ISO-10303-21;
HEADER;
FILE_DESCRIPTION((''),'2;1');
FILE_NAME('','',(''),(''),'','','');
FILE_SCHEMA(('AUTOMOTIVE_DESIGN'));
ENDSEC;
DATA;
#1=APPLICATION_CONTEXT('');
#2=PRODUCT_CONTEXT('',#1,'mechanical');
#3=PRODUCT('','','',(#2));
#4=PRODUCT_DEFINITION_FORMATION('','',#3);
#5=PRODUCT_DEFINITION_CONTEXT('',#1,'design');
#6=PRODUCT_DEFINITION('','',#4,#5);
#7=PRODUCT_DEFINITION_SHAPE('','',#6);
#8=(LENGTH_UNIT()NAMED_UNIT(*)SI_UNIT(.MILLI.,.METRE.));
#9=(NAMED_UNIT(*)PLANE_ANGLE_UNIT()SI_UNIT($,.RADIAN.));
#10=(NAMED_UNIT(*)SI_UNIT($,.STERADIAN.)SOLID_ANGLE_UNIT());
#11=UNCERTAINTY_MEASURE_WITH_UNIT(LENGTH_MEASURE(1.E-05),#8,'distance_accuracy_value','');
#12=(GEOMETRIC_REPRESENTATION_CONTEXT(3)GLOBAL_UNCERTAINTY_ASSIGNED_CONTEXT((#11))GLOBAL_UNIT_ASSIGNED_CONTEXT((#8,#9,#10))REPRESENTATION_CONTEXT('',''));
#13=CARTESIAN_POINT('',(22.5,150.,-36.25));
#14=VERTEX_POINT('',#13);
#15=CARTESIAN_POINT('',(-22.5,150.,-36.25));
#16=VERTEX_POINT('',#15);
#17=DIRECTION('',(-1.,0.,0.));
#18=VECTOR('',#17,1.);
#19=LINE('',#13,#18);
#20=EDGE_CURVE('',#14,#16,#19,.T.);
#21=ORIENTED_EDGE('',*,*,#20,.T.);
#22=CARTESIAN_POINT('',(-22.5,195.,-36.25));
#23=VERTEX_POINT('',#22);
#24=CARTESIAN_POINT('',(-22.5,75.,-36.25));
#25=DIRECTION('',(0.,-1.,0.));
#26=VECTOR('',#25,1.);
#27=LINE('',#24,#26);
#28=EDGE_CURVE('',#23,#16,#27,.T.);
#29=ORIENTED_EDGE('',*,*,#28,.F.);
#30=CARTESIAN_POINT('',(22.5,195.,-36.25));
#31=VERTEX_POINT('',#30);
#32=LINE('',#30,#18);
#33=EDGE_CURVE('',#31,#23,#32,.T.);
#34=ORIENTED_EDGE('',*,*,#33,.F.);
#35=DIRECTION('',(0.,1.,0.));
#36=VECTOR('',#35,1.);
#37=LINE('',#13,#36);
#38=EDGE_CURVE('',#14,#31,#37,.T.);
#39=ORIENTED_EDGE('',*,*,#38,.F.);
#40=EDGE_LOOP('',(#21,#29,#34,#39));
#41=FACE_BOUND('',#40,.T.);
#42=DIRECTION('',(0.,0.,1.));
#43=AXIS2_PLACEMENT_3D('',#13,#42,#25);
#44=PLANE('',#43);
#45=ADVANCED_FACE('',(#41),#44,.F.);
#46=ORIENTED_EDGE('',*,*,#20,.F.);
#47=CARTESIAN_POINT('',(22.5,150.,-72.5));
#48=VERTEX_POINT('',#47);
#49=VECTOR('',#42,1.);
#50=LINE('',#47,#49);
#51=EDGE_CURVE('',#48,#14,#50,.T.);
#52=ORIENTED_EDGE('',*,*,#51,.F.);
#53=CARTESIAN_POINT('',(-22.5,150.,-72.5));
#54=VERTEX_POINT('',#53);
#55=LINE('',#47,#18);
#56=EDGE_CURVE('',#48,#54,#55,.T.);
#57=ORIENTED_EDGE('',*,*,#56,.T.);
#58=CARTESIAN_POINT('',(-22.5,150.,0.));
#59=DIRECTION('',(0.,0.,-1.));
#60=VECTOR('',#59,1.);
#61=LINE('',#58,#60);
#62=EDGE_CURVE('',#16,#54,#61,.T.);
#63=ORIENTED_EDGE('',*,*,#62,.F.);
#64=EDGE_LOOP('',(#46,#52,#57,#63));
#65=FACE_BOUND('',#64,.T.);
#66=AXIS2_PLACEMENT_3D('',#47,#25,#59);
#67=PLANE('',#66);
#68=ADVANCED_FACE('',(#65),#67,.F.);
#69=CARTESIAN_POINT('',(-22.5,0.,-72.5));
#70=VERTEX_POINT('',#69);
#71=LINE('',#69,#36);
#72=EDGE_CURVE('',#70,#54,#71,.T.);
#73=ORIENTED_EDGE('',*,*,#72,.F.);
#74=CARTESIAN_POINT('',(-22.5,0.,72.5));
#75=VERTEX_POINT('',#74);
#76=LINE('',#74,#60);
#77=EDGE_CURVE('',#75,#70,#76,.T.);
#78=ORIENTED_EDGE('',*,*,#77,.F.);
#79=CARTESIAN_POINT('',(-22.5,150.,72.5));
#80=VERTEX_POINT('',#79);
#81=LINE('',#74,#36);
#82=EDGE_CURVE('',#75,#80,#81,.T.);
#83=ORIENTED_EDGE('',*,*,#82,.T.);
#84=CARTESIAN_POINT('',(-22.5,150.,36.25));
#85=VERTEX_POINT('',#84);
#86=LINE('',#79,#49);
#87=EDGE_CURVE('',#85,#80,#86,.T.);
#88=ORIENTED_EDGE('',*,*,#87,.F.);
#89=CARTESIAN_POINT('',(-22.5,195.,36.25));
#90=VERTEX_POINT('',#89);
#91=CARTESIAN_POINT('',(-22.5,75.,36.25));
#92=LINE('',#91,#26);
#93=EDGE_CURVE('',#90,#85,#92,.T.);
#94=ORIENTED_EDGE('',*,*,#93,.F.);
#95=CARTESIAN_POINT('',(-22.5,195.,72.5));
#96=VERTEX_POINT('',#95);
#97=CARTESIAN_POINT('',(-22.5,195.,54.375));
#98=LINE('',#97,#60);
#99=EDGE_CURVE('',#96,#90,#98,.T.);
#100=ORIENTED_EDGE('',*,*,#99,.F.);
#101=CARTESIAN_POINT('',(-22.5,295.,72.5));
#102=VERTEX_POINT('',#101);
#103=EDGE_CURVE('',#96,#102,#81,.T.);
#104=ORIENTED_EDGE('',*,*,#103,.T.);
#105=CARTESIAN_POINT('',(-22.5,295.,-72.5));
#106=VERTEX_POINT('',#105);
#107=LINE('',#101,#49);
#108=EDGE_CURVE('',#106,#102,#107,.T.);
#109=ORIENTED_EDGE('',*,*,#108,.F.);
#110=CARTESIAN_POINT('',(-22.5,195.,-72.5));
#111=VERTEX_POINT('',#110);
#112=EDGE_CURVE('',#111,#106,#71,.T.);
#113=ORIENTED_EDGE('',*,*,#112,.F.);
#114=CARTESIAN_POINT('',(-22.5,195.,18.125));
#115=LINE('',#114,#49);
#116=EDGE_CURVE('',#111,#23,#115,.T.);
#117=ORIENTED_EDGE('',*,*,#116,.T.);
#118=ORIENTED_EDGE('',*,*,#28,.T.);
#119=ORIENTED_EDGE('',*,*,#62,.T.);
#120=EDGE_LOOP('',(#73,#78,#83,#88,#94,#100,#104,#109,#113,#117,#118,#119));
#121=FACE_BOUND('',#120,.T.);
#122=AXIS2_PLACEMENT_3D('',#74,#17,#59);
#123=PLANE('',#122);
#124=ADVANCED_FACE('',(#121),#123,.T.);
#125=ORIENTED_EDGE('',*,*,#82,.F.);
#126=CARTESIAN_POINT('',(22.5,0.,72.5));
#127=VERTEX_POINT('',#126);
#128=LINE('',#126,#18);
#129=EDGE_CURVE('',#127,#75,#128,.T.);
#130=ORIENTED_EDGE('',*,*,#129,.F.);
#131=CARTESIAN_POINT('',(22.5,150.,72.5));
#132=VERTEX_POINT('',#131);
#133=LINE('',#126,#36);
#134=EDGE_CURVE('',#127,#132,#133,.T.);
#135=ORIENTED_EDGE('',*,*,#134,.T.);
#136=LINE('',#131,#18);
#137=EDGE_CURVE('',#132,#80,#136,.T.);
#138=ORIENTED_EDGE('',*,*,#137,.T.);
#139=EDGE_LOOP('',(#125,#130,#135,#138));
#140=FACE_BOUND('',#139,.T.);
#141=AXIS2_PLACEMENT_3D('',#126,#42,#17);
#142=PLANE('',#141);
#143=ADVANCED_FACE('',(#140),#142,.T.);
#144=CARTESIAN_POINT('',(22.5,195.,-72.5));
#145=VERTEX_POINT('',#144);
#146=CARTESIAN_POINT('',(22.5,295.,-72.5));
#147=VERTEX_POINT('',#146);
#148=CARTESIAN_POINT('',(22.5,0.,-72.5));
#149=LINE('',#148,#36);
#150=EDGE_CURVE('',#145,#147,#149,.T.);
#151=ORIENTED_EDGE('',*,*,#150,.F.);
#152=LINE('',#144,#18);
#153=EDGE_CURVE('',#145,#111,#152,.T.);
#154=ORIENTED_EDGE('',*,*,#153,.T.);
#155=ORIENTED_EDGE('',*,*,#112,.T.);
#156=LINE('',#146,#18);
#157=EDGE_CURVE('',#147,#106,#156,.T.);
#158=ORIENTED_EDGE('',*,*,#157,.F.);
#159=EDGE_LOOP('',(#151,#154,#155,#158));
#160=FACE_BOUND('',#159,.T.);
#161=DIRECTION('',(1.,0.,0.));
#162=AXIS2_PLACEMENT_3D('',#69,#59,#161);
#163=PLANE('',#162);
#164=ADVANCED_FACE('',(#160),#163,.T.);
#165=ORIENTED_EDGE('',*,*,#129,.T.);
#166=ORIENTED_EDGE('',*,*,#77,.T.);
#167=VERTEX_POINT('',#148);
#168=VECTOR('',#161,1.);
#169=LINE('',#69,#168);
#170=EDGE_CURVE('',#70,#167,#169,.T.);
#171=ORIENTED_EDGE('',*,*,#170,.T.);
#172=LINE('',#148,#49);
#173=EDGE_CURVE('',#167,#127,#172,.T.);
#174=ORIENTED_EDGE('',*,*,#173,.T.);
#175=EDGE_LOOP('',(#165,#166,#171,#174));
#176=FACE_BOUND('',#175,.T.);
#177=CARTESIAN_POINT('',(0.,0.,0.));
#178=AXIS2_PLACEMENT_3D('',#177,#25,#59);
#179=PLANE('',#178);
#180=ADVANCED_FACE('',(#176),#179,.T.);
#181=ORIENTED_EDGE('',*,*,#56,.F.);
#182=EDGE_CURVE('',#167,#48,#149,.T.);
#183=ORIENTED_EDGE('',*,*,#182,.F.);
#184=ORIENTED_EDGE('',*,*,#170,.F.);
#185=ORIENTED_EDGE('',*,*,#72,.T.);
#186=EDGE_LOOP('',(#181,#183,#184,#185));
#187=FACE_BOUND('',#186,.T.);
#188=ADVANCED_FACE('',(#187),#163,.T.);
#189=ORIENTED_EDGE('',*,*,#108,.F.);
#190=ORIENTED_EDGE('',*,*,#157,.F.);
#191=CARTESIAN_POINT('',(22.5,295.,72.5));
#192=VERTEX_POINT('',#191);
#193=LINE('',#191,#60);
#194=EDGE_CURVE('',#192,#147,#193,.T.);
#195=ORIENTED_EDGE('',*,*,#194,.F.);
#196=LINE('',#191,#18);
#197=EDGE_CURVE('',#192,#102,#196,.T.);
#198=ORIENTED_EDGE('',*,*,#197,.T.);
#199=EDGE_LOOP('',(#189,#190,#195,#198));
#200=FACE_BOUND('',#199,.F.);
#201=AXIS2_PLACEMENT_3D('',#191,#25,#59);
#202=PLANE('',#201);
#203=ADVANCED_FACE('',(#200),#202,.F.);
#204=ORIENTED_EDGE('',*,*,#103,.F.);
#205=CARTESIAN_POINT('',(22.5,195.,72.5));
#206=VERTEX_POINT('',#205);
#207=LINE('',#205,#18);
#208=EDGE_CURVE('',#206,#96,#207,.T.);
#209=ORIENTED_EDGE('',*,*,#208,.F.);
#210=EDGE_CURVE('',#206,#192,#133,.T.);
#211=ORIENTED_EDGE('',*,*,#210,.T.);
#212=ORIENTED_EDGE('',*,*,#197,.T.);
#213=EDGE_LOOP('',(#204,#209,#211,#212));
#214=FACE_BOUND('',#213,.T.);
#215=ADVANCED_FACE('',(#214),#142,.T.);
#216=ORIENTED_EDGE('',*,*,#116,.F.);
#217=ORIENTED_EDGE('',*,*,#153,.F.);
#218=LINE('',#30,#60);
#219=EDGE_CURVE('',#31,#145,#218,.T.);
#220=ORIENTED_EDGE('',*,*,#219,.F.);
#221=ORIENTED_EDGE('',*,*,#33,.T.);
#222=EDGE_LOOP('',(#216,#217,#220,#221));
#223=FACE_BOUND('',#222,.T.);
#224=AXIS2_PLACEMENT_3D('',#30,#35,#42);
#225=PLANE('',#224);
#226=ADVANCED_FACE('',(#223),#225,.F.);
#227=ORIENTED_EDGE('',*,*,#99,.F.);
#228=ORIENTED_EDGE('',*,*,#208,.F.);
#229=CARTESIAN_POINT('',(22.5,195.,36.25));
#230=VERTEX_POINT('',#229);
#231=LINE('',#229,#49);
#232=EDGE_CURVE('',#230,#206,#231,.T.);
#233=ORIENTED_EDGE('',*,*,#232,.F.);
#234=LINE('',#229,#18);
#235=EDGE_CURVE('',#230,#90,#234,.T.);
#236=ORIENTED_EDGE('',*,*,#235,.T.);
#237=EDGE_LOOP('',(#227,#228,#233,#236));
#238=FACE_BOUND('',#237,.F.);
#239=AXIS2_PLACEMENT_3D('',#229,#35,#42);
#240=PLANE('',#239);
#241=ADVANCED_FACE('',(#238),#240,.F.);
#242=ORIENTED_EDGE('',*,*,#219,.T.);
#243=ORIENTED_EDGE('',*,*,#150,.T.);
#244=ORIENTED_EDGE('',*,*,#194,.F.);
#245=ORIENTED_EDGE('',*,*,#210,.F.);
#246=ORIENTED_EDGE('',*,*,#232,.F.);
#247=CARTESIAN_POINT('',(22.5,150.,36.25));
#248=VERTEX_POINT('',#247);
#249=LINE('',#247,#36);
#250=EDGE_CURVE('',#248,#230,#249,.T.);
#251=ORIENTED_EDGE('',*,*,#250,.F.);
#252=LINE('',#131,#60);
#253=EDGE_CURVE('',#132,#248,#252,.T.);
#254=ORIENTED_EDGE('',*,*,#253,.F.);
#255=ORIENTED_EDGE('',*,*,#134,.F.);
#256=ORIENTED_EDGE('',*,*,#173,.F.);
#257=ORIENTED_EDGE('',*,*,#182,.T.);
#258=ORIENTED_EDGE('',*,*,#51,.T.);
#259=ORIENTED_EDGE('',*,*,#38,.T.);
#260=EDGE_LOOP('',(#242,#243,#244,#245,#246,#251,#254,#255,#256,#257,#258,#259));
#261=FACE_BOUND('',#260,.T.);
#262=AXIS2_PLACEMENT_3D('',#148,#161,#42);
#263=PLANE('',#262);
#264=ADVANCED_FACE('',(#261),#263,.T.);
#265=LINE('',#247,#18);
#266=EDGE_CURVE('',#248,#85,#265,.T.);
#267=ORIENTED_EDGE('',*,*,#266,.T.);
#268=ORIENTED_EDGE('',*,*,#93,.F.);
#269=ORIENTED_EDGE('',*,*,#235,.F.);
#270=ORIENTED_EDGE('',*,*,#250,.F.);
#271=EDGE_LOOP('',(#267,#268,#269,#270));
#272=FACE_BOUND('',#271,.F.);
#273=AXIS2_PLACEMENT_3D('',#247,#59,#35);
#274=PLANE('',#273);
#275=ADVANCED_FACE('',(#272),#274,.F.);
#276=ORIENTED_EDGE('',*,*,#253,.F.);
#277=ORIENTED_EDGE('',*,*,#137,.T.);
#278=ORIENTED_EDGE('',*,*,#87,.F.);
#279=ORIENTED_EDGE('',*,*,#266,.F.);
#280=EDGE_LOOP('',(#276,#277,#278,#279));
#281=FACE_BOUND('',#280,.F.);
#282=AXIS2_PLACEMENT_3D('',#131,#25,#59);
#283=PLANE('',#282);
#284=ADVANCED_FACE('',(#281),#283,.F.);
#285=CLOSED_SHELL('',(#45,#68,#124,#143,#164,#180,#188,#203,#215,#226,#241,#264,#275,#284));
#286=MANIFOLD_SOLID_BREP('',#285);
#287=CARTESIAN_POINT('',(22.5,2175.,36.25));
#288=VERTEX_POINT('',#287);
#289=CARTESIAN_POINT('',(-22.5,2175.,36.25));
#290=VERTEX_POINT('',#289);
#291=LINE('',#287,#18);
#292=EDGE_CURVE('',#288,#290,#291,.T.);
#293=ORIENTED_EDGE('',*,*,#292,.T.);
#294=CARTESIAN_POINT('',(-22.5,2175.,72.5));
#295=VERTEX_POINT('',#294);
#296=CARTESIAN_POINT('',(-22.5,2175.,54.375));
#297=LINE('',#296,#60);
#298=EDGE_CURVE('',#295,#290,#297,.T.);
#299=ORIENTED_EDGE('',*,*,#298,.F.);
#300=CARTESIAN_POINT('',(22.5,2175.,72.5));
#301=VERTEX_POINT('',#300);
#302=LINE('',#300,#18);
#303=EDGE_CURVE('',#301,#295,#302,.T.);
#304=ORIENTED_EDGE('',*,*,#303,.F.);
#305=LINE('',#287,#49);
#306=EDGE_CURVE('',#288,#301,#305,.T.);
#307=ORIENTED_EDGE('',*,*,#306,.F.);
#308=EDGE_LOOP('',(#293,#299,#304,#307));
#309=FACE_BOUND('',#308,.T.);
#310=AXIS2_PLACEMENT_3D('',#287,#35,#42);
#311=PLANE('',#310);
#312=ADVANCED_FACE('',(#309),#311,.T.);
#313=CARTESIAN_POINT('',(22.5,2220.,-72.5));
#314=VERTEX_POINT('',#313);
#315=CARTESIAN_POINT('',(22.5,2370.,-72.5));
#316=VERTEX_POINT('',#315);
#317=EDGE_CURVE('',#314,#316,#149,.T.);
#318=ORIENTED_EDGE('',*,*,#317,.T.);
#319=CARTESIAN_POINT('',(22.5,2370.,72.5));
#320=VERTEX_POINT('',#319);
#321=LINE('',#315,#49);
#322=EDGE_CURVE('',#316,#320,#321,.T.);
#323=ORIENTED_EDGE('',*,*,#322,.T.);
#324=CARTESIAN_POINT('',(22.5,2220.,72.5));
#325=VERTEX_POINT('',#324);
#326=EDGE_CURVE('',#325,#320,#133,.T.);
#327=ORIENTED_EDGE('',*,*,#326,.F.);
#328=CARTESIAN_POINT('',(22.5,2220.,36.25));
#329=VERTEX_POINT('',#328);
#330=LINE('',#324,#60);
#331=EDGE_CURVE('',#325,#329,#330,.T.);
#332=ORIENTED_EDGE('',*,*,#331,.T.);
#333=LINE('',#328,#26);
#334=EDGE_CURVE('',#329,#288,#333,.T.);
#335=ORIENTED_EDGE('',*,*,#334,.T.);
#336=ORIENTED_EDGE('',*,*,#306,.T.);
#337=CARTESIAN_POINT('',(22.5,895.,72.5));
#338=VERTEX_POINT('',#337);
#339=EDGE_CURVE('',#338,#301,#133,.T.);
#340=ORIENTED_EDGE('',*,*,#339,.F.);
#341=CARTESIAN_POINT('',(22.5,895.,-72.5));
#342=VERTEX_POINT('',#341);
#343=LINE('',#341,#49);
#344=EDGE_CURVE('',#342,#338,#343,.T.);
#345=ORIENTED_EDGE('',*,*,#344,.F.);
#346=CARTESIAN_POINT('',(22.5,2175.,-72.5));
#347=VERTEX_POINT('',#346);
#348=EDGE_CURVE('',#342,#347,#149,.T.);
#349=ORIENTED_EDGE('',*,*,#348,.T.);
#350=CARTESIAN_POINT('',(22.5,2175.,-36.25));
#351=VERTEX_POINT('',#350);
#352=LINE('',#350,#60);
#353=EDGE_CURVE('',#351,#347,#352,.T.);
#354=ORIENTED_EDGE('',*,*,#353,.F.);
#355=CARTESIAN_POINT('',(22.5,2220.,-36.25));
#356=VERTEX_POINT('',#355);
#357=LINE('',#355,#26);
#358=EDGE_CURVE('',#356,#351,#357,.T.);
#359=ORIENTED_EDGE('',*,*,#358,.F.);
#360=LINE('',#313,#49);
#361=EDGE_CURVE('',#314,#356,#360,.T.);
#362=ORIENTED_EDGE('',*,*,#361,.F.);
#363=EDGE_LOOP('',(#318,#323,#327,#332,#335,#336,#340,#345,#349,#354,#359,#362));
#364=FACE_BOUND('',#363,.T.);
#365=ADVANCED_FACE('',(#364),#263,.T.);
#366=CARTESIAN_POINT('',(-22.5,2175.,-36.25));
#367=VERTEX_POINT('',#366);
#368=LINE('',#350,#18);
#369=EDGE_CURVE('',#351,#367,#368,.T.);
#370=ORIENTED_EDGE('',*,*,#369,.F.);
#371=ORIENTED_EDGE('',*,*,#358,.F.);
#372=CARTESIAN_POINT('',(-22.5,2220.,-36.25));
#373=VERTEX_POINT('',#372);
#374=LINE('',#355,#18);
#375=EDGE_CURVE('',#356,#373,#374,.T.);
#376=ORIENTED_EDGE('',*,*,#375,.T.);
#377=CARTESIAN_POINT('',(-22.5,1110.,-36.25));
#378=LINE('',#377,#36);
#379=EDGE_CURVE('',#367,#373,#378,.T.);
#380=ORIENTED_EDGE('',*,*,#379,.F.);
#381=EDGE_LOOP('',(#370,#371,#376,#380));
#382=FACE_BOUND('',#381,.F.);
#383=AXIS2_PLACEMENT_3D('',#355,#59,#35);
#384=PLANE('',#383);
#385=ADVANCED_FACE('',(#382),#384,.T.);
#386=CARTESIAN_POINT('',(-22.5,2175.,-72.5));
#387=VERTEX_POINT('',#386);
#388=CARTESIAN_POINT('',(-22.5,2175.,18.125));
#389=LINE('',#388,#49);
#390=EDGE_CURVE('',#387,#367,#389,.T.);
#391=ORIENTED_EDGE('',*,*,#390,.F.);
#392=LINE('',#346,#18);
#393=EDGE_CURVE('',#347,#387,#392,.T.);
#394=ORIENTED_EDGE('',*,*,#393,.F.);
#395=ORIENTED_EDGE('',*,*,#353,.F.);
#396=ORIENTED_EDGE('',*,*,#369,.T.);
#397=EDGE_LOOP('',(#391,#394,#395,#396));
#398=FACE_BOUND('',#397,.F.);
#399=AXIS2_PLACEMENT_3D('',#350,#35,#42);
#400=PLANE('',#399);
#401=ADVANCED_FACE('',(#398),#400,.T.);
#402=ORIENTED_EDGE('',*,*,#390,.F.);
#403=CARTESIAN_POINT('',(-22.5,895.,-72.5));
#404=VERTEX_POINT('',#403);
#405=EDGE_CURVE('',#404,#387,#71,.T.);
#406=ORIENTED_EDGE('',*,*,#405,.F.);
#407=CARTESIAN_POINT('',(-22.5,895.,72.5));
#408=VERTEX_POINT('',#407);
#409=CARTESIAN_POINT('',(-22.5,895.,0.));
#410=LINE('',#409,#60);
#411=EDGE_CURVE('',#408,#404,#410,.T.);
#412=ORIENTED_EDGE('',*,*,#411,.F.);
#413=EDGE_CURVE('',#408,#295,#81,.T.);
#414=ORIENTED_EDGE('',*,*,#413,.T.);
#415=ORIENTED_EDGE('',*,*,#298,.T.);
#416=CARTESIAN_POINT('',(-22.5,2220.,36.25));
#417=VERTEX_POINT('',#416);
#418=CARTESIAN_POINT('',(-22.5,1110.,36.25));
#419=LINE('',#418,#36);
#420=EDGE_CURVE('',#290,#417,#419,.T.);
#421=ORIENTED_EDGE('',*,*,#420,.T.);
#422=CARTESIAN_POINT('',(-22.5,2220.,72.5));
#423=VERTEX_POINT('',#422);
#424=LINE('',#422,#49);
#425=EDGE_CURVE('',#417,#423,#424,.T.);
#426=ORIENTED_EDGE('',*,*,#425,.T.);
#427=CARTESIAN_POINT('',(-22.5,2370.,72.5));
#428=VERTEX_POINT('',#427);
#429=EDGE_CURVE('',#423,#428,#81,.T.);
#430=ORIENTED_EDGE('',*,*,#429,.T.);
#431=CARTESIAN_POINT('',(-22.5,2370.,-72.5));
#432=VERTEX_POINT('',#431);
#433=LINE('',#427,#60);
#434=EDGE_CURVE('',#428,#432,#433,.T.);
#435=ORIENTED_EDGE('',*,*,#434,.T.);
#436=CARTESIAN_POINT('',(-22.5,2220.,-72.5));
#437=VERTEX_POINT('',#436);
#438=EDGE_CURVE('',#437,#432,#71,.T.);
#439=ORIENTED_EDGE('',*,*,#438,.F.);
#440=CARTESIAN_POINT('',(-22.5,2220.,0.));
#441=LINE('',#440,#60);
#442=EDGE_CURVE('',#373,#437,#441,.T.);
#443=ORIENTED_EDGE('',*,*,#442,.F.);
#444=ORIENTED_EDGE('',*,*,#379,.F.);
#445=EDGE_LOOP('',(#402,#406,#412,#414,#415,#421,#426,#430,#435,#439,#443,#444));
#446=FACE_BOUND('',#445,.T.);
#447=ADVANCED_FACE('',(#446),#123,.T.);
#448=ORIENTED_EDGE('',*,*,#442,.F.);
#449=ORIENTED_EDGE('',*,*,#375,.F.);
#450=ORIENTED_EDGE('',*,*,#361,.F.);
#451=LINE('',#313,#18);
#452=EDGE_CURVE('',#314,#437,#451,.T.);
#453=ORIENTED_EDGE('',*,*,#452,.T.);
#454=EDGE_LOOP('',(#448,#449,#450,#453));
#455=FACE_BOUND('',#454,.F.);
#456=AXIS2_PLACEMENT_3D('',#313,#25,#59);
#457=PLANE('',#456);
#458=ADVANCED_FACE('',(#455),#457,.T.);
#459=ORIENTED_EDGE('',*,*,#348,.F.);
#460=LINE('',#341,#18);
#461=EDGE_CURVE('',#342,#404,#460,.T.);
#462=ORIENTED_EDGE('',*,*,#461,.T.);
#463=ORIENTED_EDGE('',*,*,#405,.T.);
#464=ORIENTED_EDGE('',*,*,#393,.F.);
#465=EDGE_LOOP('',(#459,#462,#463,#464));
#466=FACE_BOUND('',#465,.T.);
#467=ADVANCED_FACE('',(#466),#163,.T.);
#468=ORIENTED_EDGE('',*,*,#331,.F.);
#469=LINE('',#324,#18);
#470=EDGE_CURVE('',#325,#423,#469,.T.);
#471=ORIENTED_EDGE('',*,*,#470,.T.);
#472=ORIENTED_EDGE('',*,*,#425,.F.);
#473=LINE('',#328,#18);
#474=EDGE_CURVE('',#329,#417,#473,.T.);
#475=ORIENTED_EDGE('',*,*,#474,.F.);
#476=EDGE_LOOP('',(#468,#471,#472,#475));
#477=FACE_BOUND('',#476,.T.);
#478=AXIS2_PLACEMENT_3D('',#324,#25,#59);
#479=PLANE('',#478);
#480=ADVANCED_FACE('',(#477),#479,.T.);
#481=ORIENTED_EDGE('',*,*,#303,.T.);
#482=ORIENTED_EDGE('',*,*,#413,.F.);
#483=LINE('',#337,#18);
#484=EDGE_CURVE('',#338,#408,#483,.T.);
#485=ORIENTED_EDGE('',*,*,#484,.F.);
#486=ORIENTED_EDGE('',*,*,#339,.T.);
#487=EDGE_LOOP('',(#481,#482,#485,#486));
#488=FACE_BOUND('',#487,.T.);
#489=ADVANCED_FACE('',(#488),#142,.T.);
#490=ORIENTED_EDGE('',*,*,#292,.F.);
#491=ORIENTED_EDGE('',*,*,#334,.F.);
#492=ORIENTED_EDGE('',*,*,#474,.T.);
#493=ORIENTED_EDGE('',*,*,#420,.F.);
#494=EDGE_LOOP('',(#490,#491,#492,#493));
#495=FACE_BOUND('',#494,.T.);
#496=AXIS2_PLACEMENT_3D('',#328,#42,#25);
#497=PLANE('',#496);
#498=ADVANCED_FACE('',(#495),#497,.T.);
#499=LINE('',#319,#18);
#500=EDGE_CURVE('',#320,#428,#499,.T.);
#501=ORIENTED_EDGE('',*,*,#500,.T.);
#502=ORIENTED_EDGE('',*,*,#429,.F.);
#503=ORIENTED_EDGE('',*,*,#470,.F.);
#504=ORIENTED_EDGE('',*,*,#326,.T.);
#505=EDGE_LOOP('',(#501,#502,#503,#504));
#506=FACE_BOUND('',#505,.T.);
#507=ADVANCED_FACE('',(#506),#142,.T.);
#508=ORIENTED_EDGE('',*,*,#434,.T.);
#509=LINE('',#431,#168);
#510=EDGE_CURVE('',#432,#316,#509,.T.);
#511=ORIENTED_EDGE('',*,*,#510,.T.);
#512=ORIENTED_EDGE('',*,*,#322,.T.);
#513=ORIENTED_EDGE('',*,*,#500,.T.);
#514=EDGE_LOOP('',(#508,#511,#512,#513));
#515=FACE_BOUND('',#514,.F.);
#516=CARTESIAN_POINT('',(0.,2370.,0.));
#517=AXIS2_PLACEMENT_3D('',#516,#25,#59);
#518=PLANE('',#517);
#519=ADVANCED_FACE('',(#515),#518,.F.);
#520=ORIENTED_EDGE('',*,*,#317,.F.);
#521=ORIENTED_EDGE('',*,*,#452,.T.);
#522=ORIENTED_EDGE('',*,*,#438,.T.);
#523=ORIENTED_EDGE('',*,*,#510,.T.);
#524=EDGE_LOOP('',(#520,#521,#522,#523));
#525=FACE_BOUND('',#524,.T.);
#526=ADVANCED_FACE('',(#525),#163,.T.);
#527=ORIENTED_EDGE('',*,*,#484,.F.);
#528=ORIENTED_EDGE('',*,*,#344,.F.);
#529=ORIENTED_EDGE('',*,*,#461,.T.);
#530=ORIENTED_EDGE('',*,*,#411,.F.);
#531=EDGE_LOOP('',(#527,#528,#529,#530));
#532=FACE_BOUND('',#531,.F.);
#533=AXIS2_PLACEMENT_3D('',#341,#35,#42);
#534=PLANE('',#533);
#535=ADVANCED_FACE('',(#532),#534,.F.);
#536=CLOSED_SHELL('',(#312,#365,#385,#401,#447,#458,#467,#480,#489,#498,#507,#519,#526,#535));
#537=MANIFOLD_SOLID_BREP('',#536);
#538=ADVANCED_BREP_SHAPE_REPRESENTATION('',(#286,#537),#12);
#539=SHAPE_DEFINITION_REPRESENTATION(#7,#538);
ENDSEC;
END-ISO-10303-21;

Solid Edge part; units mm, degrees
sketch "Sketch1" plane through (0, 0, 0) normal (0, -1, 0) x (1, 0, 0)
  line L0 (-22.5, -72.5) -> (22.5, -72.5)
  line L1 (22.5, -72.5) -> (22.5, 72.5)
  line L2 (22.5, 72.5) -> (-22.5, 72.5)
  line L3 (-22.5, 72.5) -> (-22.5, -72.5)
extrude "Protrusion1" add sketch "Sketch1" against normal blind 2370
sketch "Sketch2" plane through (22.5, 1185, 0) normal (1, 0, 0) x (0, 1, 0)
  line L0 (1035, 72.5) -> (1035, 36.25)
  line L1 (1035, 36.25) -> (990, 36.25)
  line L2 (990, 36.25) -> (990, 72.5)
  line L3 (990, 72.5) -> (1035, 72.5)
  line L4 (-1035, 72.5) -> (-1035, 36.25)
  line L5 (-1035, 36.25) -> (-990, 36.25)
  line L6 (-990, 36.25) -> (-990, 72.5)
  line L7 (-990, 72.5) -> (-1035, 72.5)
extrude "ExtrudedCutout_1" cut sketch "Sketch2" against normal blind 89.2118
mirror "Mirror1" about plane through (0, 0, 0) normal (0, 0, -1) of "ExtrudedCutout_1"
sketch "Sketch3" plane through (22.5, 1185, 0) normal (1, 0, 0) x (0, 1, 0)
  line L0 (-890, 72.5) -> (-890, -72.5)
  line L1 (-890, -72.5) -> (-290, -72.5)
  line L2 (-290, -72.5) -> (-290, 72.5)
  line L3 (-290, 72.5) -> (-890, 72.5)
extrude "ExtrudedCutout_2" cut sketch "Sketch3" against normal blind 76.7872
properties material "Wood, Pine"
